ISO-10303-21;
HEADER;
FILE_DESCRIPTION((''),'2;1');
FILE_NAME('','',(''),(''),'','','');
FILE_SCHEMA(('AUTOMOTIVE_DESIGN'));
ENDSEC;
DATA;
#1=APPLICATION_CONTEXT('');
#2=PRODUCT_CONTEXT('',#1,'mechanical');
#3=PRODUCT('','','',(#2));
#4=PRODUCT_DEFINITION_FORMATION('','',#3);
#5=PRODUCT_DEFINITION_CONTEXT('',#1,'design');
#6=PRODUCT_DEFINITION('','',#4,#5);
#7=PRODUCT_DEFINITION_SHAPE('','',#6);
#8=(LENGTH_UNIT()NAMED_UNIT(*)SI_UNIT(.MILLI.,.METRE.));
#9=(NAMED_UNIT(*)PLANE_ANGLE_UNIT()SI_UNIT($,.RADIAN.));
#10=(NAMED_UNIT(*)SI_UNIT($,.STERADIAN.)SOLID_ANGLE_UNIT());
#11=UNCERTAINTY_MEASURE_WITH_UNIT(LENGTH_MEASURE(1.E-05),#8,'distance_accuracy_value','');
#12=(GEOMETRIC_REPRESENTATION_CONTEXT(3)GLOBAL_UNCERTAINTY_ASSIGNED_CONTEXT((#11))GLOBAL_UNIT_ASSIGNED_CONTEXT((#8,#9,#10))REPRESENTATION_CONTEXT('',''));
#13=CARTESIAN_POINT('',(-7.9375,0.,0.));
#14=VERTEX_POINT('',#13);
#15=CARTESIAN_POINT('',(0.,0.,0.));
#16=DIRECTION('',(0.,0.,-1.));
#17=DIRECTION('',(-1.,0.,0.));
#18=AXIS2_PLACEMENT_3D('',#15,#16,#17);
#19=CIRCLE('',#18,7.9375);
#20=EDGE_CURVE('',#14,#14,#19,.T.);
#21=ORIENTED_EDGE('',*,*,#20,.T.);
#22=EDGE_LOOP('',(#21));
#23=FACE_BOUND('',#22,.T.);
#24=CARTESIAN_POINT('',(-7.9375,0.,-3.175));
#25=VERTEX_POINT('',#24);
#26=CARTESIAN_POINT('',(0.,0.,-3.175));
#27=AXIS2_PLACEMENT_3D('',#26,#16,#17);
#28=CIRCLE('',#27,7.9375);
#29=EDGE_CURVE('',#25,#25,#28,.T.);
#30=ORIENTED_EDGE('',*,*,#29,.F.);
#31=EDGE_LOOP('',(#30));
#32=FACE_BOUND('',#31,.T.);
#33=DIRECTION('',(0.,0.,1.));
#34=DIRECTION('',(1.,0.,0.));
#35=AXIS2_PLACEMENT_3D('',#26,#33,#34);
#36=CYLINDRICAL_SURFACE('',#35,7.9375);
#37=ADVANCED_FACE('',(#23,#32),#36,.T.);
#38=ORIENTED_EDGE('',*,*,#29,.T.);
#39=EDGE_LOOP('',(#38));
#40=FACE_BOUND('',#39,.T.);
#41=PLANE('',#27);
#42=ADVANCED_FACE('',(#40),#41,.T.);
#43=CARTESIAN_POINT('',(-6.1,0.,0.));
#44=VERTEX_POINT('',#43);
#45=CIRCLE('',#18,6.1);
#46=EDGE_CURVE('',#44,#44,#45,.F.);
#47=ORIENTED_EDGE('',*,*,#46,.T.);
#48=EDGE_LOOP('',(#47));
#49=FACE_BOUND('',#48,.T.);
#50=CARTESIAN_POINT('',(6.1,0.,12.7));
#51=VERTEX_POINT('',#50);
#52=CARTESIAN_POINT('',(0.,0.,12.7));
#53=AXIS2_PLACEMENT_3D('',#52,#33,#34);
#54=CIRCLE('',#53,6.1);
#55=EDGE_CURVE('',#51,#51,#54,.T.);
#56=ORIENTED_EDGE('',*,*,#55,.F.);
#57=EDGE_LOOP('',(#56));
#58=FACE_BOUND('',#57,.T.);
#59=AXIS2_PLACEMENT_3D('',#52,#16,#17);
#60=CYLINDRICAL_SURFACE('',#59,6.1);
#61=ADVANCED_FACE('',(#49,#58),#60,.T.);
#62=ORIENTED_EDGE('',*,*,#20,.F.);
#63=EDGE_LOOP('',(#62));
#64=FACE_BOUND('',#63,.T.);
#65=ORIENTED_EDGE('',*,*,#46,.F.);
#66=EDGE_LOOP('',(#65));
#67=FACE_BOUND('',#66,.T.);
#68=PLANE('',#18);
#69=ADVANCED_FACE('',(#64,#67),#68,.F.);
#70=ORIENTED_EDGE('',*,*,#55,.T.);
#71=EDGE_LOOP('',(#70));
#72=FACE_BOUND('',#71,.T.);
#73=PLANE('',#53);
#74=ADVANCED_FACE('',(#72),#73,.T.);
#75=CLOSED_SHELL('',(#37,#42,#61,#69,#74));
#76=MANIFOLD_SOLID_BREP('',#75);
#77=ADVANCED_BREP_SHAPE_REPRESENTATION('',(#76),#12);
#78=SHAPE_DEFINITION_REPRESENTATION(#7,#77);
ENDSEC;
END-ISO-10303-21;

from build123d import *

# Parameters (mm, degrees)
SKETCH1_R           = 6.35
BOSS_EXTRUDE1_DEPTH = 12.7
SKETCH2_R           = 7.9375
BOSS_EXTRUDE2_DEPTH = 3.175
MOVE_FACE1_BY       = 0.25


with BuildPart() as part:
    # Sketch1 → Boss-Extrude1 (new body)
    with BuildSketch(Plane.XY):
        Circle(SKETCH1_R)
    extrude(amount=BOSS_EXTRUDE1_DEPTH)

    # Sketch2 → Boss-Extrude2 (add)
    with BuildSketch(Plane(origin=(0, 0, 0), x_dir=(-1, 0, 0), z_dir=(0, 0, -1))):
        Circle(SKETCH2_R)
    extrude(amount=BOSS_EXTRUDE2_DEPTH)

    # Move Face1: a curved face moved inward by 0.25
    add(Solid.thicken(part.faces().sort_by_distance((-6.35, 0, 6.35))[0], -MOVE_FACE1_BY), mode=Mode.SUBTRACT)


solid = part.part
